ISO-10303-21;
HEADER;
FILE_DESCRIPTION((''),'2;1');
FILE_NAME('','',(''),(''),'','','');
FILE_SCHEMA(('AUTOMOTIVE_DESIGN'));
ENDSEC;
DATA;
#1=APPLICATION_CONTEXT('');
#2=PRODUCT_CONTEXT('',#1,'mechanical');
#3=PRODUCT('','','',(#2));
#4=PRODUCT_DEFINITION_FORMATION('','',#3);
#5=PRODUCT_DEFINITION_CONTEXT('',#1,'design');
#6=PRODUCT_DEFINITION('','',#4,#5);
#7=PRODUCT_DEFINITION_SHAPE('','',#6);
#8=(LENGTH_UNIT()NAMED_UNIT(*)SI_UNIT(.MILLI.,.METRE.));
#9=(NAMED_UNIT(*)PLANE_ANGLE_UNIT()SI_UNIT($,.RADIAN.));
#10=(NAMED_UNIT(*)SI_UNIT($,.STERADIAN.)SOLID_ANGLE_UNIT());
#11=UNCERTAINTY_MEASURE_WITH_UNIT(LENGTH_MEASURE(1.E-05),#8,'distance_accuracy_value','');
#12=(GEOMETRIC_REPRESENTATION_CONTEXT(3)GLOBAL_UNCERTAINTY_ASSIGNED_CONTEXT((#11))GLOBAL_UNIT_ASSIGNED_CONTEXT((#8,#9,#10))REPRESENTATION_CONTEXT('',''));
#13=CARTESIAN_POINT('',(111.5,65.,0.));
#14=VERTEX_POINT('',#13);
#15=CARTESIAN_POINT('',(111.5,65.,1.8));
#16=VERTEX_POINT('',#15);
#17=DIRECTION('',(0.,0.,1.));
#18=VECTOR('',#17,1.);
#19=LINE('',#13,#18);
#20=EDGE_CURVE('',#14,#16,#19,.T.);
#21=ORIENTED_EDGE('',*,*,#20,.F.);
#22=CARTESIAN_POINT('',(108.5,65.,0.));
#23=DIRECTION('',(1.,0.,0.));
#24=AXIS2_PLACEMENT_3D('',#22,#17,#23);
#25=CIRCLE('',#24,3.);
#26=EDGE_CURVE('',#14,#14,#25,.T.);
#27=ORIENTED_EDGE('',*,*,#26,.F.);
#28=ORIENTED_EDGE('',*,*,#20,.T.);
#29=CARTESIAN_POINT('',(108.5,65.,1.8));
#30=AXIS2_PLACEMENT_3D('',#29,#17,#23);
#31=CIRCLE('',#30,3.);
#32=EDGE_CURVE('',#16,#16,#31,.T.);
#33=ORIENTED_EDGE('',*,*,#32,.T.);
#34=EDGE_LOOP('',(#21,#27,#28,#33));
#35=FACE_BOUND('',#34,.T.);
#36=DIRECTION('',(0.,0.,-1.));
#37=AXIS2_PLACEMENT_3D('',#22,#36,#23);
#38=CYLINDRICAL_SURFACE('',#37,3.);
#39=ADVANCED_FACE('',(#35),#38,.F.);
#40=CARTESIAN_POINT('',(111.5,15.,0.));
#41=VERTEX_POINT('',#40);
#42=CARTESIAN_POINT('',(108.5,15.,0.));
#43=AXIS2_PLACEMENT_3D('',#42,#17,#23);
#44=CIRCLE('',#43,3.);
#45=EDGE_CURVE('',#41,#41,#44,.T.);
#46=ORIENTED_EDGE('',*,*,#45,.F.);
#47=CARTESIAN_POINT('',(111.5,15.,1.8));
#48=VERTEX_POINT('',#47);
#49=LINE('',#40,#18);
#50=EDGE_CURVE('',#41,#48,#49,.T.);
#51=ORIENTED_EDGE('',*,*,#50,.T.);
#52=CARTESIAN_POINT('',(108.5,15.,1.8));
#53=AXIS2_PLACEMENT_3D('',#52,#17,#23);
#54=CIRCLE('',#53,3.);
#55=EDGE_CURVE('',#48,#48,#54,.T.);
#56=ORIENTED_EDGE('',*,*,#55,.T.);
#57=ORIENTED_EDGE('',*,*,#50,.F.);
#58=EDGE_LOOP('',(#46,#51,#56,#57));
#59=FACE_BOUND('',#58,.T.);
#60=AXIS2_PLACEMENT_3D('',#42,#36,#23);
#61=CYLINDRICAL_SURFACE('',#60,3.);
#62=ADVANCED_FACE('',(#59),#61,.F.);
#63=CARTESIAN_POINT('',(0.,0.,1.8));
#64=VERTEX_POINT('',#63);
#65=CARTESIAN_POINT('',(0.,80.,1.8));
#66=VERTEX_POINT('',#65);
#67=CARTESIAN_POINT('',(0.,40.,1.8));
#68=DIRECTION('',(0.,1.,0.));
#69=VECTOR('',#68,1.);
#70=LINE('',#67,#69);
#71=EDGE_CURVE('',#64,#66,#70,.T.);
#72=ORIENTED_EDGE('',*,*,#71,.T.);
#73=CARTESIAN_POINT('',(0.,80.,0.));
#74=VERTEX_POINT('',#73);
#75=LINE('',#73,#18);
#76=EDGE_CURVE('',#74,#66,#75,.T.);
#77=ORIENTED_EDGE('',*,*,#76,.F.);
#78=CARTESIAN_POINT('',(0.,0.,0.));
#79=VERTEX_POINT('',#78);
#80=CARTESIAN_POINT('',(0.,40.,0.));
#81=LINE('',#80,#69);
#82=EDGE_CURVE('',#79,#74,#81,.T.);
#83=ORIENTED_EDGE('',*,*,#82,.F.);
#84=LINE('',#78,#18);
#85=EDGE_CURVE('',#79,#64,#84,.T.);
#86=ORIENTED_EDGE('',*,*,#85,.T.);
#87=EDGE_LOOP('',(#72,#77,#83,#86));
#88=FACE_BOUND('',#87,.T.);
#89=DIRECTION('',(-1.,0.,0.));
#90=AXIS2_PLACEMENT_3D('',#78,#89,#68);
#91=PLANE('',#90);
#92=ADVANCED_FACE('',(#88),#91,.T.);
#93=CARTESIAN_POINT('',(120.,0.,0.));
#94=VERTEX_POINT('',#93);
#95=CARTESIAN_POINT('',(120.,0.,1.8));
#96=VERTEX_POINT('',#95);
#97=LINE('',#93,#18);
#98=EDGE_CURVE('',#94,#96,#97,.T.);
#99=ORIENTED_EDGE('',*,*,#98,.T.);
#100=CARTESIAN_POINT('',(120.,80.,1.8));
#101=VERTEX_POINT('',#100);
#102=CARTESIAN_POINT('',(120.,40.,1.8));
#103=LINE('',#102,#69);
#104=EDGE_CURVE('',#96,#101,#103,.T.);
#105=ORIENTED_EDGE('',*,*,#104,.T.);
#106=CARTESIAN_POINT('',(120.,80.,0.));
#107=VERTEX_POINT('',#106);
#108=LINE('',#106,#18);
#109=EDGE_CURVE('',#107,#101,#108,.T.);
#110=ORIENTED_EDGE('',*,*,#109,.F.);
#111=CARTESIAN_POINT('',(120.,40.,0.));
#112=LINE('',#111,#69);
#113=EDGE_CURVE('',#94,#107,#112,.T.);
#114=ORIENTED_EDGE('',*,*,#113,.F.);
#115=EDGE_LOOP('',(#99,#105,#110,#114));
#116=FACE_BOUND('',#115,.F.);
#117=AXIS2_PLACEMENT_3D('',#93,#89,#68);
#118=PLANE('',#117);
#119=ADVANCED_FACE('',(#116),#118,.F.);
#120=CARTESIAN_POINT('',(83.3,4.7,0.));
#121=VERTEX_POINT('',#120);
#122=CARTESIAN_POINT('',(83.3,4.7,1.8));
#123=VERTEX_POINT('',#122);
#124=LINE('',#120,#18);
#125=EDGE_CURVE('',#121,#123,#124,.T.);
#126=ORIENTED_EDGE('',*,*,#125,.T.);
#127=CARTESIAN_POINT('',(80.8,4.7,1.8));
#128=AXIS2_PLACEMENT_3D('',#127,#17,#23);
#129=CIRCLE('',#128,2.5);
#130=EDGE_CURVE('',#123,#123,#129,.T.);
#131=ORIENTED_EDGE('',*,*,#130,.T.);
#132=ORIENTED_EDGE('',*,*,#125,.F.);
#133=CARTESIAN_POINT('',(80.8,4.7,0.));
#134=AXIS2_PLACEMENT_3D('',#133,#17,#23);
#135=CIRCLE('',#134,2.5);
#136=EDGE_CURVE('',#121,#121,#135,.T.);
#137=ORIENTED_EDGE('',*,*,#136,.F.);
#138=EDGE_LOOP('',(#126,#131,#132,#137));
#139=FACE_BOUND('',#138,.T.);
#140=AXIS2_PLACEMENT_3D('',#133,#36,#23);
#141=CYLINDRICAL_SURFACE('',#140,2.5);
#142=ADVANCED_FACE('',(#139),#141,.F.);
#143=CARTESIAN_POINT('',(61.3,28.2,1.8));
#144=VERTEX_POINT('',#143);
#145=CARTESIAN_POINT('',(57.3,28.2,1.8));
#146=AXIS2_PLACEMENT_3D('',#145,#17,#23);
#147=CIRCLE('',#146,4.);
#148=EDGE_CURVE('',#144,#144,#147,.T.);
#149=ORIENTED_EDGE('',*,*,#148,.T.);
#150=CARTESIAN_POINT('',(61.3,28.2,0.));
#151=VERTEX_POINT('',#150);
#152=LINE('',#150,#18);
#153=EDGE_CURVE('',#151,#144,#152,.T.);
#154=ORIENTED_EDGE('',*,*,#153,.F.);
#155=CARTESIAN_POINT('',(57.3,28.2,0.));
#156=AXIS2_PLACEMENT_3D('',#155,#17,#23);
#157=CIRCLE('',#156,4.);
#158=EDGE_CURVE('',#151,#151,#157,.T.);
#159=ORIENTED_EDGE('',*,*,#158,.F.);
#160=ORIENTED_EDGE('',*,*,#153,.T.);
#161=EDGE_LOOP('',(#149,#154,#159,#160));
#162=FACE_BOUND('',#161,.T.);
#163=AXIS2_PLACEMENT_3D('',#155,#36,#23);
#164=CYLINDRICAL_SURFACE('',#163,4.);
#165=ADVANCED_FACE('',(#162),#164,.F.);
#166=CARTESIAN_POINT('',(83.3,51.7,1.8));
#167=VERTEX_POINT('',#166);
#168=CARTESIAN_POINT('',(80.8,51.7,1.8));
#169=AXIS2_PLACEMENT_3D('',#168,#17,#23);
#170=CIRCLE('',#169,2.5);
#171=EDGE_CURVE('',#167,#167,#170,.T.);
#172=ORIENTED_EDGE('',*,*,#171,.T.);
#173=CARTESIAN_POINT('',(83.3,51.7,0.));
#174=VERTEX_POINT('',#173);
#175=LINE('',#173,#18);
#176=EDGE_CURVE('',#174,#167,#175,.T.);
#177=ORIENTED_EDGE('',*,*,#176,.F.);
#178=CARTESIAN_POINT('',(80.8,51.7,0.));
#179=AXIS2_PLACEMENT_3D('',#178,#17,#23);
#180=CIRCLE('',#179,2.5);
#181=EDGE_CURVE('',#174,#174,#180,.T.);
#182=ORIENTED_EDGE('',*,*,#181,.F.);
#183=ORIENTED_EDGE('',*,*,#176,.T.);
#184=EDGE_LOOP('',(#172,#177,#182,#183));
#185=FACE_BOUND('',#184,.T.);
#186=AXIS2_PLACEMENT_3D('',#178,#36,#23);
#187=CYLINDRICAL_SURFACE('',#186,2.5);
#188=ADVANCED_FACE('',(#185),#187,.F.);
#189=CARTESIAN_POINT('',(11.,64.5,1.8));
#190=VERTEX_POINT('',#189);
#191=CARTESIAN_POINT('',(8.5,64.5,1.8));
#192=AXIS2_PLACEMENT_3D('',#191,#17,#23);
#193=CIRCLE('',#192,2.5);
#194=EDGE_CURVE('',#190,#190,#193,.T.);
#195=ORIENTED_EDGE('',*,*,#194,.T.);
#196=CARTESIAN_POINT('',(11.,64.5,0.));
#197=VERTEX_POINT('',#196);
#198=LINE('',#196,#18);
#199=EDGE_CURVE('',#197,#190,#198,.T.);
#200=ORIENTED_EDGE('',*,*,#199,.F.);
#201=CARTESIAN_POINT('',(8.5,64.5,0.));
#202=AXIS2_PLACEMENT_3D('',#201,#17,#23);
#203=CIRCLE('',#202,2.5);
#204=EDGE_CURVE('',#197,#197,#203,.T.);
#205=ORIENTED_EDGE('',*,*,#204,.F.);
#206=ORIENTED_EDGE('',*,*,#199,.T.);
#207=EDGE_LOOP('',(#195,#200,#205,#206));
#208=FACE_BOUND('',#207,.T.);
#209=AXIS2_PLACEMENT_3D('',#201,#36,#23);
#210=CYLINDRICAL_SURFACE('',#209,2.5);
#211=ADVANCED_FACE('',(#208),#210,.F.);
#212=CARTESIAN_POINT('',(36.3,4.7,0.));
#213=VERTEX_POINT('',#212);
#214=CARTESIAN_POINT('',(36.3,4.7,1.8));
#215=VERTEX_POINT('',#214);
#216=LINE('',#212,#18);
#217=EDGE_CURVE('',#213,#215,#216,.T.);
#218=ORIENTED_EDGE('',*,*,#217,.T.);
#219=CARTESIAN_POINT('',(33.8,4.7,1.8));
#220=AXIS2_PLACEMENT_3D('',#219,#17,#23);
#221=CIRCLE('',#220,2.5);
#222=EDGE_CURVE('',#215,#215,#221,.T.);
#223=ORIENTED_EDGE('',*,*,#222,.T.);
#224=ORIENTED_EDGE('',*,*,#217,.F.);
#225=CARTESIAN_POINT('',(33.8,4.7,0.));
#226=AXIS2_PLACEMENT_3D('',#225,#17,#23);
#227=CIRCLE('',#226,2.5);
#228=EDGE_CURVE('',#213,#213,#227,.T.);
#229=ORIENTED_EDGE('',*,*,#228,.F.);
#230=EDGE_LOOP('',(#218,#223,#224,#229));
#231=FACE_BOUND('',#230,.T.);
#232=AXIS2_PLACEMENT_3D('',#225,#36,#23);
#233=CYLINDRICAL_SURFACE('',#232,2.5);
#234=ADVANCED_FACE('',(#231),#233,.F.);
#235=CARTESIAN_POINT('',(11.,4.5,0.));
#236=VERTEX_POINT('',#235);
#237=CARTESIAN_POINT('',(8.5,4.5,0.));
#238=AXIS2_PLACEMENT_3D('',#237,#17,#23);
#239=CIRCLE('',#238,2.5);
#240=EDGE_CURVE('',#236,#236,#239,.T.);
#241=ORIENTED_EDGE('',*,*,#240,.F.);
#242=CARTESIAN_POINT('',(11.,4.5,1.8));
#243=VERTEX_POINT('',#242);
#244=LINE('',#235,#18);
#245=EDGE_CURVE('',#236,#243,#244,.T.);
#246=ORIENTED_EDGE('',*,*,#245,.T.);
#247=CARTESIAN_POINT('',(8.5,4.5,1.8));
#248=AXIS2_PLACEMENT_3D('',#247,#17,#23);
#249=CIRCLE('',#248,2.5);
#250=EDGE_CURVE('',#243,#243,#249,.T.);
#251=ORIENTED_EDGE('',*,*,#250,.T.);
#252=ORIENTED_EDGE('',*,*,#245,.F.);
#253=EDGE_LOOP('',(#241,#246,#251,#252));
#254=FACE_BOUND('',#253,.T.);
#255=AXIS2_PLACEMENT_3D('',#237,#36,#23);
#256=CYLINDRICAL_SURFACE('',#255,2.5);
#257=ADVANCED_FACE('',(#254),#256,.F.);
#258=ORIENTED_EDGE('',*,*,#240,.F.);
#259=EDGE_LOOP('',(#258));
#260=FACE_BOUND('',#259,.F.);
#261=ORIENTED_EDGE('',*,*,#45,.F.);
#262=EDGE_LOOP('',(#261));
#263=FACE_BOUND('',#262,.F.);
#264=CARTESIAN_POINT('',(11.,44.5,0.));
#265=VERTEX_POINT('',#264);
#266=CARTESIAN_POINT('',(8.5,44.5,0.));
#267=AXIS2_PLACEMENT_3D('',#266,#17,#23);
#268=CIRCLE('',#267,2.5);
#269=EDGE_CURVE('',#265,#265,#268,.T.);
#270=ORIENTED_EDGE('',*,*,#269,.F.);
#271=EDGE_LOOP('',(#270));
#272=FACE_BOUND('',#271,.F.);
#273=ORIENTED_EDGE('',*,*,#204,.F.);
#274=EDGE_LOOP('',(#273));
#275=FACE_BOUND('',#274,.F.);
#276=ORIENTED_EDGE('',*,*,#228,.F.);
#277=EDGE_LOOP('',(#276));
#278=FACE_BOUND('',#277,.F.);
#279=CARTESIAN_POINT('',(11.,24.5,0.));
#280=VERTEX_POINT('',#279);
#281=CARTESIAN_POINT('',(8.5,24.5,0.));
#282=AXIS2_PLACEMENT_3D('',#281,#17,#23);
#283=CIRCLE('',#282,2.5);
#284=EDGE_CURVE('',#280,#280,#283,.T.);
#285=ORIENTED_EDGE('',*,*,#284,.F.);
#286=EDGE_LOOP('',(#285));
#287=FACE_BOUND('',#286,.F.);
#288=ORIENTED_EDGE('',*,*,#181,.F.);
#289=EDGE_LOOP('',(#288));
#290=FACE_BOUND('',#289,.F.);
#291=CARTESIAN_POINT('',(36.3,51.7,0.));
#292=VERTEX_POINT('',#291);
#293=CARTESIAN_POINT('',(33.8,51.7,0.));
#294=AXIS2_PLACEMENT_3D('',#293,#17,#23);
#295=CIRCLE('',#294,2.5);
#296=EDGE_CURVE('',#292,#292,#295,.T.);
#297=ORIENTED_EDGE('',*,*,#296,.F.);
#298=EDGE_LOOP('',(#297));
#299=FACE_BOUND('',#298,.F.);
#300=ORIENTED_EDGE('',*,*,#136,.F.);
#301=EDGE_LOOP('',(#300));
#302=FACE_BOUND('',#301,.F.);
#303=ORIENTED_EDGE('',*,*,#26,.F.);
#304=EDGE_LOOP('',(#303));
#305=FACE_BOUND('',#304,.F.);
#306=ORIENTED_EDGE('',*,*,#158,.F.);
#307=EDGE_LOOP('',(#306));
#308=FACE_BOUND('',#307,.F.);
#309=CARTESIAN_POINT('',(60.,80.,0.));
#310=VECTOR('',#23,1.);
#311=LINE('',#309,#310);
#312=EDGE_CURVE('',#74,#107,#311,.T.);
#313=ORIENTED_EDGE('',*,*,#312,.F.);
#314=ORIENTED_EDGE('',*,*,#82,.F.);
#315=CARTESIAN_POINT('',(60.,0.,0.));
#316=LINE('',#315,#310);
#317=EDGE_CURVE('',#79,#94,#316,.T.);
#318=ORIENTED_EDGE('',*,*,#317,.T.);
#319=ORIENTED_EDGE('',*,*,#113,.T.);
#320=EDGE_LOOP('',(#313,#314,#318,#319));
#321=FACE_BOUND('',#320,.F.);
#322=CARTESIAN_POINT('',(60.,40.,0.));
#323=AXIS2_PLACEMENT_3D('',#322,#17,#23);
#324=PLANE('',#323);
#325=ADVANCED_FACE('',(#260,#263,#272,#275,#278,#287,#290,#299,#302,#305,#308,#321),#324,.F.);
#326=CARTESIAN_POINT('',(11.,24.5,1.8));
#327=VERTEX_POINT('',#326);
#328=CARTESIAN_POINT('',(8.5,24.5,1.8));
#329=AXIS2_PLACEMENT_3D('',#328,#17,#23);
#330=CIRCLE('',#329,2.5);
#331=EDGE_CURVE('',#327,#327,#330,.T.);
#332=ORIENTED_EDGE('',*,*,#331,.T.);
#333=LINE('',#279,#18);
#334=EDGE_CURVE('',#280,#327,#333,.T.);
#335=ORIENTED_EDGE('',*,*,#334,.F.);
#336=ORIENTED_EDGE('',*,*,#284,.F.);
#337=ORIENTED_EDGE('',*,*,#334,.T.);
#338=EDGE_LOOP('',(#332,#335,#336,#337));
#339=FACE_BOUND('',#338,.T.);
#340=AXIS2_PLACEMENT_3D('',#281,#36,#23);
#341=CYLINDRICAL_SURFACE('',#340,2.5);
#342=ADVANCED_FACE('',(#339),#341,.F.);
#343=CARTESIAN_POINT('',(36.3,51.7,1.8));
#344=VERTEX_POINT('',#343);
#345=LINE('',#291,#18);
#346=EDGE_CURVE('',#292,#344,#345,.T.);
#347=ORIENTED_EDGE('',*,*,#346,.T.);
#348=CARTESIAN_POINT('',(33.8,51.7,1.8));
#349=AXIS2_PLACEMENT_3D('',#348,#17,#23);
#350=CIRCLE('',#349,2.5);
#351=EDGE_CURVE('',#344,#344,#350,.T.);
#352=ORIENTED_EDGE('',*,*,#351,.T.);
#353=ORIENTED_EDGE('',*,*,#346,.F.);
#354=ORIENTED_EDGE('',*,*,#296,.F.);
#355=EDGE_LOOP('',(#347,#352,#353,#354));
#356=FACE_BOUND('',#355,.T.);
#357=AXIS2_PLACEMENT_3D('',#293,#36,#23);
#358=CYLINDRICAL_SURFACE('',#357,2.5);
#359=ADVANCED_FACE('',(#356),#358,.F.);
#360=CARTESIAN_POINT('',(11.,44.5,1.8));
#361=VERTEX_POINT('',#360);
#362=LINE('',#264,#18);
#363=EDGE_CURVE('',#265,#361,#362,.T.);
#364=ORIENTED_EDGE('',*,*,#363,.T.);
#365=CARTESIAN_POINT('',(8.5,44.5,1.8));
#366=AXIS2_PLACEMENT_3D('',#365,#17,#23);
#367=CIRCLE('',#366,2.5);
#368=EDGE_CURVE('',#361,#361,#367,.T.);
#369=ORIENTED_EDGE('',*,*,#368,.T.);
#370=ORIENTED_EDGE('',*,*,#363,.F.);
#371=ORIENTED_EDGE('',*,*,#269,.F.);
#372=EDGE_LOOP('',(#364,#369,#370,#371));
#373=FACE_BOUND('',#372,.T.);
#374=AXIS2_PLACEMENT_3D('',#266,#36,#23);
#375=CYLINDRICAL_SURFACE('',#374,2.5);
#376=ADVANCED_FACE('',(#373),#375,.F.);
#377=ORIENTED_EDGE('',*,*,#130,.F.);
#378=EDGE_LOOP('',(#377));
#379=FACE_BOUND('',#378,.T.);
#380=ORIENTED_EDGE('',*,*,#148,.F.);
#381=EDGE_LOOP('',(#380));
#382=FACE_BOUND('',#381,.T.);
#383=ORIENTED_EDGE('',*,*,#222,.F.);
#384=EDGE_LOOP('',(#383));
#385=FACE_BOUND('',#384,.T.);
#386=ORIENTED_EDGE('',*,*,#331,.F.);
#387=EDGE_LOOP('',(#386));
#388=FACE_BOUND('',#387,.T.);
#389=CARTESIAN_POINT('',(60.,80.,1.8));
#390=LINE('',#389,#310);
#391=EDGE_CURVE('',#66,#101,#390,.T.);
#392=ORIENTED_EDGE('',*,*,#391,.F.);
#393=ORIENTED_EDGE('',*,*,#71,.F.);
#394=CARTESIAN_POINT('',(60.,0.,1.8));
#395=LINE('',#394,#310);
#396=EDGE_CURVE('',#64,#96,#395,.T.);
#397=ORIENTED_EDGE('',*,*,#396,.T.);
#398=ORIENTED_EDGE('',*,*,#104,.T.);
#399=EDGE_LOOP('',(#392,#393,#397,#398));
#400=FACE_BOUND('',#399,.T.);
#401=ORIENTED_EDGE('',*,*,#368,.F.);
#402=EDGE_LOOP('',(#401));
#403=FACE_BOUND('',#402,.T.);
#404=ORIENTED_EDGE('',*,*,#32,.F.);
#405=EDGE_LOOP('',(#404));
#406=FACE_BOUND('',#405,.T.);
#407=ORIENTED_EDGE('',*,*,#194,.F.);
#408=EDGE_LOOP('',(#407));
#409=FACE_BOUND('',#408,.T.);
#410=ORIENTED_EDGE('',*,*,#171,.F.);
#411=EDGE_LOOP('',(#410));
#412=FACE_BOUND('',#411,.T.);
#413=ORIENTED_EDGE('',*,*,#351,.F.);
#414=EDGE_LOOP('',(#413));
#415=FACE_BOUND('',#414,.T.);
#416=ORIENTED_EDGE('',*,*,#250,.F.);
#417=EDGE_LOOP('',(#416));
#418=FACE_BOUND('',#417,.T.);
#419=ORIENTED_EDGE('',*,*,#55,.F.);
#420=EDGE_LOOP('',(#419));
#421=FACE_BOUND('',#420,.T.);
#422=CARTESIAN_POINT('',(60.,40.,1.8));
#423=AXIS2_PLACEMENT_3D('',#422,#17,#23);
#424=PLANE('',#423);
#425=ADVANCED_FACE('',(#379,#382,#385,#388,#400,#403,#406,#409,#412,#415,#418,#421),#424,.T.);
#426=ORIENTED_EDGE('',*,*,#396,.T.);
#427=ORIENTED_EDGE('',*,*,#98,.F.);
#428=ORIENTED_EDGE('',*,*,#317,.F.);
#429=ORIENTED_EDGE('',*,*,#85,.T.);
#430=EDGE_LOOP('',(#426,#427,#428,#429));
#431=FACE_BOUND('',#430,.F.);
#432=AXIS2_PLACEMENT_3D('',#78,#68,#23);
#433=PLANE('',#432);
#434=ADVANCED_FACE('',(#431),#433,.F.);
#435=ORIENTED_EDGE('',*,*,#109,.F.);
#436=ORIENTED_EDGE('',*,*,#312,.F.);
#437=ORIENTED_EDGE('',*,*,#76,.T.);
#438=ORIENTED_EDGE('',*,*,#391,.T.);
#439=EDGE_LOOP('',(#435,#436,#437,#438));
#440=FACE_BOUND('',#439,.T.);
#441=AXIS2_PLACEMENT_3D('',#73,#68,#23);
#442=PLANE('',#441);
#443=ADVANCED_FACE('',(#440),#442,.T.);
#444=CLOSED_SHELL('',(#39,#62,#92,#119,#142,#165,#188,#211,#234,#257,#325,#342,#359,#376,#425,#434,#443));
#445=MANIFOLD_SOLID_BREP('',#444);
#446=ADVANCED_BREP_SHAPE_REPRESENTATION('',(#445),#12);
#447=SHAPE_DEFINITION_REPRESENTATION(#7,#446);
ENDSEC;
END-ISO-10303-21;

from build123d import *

# Parameters (mm, degrees)
SKETCH_W   = 120
SKETCH_H   = 80
SKETCH_R   = 2.5
SKETCH_R_2 = 4
SKETCH_R_3 = 3
PAD_DEPTH  = 1.8


with BuildPart() as part:
    # Sketch → Pad (new body)
    with BuildSketch(Plane.XY):
        with Locations((60, 40)):
            Rectangle(SKETCH_W, SKETCH_H)
        with Locations((8.5, 4.5)):
            Circle(SKETCH_R, mode=Mode.SUBTRACT)
        with Locations((8.5, 24.5)):
            Circle(SKETCH_R, mode=Mode.SUBTRACT)
        with Locations((8.5, 44.5)):
            Circle(SKETCH_R, mode=Mode.SUBTRACT)
        with Locations((8.5, 64.5)):
            Circle(SKETCH_R, mode=Mode.SUBTRACT)
        with Locations((33.8, 51.7)):
            Circle(SKETCH_R, mode=Mode.SUBTRACT)
        with Locations((80.8, 51.7)):
            Circle(SKETCH_R, mode=Mode.SUBTRACT)
        with Locations((33.8, 4.7)):
            Circle(SKETCH_R, mode=Mode.SUBTRACT)
        with Locations((80.8, 4.7)):
            Circle(SKETCH_R, mode=Mode.SUBTRACT)
        with Locations((57.3, 28.2)):
            Circle(SKETCH_R_2, mode=Mode.SUBTRACT)
        with Locations((108.5, 15)):
            Circle(SKETCH_R_3, mode=Mode.SUBTRACT)
        with Locations((108.5, 65)):
            Circle(SKETCH_R_3, mode=Mode.SUBTRACT)
    extrude(amount=PAD_DEPTH)


solid = part.part
